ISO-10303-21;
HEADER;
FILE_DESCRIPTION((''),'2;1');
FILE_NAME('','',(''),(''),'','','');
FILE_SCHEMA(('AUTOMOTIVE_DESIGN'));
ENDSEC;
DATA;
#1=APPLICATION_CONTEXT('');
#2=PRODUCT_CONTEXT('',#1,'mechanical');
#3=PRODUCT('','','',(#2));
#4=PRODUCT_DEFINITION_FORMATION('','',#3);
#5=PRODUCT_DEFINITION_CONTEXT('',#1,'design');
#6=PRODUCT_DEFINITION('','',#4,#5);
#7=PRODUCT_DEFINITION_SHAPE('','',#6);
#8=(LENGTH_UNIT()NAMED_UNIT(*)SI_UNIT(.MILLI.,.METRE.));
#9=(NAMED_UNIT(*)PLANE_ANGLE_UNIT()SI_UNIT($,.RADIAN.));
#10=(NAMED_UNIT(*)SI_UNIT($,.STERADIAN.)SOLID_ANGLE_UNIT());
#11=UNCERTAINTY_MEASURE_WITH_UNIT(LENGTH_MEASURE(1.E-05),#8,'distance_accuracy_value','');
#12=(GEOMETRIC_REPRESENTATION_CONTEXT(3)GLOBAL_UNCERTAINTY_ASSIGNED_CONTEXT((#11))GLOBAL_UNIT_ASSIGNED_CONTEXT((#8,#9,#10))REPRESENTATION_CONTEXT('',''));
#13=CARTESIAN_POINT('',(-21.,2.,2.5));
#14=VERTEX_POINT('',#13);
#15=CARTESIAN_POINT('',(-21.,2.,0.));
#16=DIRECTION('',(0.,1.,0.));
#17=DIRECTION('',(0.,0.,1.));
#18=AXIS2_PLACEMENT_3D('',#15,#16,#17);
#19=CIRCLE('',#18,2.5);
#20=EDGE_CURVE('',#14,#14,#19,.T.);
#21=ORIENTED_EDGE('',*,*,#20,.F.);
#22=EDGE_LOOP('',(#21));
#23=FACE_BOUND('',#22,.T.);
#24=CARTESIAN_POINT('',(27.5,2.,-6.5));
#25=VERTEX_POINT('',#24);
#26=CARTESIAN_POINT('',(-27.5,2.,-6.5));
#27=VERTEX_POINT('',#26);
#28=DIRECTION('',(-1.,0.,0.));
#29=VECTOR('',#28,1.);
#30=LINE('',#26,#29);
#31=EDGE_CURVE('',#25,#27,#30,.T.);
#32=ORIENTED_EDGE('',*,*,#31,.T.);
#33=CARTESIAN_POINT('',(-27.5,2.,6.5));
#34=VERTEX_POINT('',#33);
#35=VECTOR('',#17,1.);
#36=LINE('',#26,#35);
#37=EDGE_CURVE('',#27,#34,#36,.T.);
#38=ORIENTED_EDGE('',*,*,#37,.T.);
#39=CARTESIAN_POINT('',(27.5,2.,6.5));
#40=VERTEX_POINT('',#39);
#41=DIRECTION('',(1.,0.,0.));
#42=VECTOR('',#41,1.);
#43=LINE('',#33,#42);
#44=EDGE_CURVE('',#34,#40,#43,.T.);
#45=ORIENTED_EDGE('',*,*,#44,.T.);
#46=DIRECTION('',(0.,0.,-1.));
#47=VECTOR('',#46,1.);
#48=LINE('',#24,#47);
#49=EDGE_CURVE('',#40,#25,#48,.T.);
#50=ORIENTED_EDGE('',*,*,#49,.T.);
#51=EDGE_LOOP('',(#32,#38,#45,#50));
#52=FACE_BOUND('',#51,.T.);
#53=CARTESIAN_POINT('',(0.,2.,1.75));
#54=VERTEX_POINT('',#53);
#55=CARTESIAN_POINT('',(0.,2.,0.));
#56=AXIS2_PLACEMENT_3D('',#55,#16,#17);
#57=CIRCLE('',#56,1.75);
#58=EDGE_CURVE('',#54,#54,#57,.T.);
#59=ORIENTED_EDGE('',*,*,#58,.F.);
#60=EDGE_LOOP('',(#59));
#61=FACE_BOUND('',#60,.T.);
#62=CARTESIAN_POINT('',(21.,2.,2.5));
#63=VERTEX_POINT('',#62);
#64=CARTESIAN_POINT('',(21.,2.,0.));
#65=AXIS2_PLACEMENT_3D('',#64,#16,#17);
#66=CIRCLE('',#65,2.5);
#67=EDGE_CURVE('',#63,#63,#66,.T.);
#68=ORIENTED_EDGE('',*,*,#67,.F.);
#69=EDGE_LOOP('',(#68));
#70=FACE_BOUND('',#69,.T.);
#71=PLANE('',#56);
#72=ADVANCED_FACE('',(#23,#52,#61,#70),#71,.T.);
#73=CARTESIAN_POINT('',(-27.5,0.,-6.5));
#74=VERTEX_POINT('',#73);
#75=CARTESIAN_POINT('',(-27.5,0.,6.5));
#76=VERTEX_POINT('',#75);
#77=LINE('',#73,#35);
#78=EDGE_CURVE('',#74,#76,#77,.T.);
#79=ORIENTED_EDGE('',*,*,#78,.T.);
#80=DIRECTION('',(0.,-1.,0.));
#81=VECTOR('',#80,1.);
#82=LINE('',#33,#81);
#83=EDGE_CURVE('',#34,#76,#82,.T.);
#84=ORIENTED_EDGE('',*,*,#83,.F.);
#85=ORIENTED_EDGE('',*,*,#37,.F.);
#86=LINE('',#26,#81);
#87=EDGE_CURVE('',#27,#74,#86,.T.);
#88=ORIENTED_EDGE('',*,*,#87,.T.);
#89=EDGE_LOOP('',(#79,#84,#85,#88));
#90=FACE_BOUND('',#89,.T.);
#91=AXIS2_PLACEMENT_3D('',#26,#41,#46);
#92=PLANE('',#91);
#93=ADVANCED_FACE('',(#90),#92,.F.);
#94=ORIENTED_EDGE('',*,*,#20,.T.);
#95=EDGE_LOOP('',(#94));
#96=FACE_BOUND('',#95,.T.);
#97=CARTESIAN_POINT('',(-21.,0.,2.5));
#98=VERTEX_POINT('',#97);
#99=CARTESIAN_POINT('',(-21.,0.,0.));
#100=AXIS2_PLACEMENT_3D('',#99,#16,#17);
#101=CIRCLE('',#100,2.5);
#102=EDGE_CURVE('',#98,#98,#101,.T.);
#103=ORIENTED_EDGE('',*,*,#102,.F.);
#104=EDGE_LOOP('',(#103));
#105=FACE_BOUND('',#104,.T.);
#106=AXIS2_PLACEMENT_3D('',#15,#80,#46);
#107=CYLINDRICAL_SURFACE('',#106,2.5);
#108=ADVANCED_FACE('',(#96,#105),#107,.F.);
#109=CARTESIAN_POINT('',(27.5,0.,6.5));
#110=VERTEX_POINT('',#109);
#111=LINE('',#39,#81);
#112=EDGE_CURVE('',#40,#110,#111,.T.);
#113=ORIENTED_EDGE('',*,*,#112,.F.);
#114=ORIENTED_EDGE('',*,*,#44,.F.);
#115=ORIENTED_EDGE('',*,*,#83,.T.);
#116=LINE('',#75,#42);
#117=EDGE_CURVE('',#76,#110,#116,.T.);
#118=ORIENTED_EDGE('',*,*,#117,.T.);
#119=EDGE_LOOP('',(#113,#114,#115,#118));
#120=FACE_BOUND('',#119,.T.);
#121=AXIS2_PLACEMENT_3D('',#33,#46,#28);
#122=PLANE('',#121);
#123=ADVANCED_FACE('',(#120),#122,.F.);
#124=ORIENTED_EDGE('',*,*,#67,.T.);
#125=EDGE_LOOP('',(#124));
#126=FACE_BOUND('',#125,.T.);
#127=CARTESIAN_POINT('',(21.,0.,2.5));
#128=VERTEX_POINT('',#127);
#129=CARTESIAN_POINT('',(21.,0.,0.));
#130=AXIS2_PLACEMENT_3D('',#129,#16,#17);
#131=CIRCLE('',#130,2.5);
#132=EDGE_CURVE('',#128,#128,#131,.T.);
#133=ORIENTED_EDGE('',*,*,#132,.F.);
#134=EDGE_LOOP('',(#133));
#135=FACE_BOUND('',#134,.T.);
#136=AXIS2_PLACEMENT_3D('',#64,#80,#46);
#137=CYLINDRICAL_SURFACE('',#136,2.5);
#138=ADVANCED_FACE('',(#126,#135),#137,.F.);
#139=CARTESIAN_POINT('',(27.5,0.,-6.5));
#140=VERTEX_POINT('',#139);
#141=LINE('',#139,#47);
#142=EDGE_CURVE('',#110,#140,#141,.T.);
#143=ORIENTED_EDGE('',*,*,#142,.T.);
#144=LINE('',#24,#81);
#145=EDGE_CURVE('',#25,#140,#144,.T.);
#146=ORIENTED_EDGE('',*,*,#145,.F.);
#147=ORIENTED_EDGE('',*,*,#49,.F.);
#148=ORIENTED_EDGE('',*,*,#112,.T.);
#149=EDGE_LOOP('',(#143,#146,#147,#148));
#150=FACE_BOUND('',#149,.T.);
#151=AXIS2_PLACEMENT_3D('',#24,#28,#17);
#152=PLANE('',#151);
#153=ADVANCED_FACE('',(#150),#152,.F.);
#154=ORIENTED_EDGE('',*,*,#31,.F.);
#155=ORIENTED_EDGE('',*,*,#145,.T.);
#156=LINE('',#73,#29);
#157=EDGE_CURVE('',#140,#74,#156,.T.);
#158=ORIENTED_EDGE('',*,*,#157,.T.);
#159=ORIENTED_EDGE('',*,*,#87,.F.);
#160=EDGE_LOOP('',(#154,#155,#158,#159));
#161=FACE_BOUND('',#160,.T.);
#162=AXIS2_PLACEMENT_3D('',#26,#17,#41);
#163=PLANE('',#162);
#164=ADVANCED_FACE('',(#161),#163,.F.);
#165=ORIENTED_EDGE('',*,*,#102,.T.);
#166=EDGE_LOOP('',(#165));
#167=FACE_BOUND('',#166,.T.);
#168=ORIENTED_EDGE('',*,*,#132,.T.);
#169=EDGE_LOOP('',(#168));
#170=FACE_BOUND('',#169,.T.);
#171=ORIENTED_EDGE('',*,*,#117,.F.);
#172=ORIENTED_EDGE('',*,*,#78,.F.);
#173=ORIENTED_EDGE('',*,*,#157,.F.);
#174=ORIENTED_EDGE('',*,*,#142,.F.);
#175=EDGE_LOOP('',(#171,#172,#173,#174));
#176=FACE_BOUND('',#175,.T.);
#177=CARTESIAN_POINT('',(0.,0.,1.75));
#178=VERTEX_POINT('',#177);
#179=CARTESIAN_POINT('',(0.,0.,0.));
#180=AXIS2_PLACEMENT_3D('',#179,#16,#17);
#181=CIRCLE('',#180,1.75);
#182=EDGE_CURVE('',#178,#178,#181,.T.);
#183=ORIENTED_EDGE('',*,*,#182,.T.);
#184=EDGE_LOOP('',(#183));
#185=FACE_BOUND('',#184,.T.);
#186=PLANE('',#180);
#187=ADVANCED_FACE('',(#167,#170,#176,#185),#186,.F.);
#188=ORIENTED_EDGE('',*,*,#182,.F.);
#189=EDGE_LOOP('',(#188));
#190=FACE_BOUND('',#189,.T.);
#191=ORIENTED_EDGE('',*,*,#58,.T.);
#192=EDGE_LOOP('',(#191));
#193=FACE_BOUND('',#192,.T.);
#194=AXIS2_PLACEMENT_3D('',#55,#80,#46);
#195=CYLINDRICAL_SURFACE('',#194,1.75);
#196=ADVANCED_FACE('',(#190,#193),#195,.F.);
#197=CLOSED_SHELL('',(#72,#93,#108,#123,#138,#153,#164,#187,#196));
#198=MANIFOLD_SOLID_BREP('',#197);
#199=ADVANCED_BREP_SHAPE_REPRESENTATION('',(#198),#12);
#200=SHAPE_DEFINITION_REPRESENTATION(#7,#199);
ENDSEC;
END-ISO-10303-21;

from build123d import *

# Parameters (mm, degrees)
SKETCH1_W           = 55
SKETCH1_H           = 13
SKETCH1_R           = 2.5
SKETCH1_R_2         = 1.75
BOSS_EXTRUDE1_DEPTH = 2


with BuildPart() as part:
    # Sketch1 → Boss-Extrude1 (new body)
    with BuildSketch(Plane(origin=(0, 0, 0), x_dir=(1, 0, 0), z_dir=(0, 1, 0))):
        Rectangle(SKETCH1_W, SKETCH1_H)
        with Locations(Location((-21, 0, 0), (0, 0, 270))):
            Circle(SKETCH1_R, mode=Mode.SUBTRACT)
        with Locations(Location((21, 0, 0), (0, 0, 270))):
            Circle(SKETCH1_R, mode=Mode.SUBTRACT)
        with Locations(Location((0, 0, 0), (0, 0, 270))):
            Circle(SKETCH1_R_2, mode=Mode.SUBTRACT)
    extrude(amount=BOSS_EXTRUDE1_DEPTH)


solid = part.part
